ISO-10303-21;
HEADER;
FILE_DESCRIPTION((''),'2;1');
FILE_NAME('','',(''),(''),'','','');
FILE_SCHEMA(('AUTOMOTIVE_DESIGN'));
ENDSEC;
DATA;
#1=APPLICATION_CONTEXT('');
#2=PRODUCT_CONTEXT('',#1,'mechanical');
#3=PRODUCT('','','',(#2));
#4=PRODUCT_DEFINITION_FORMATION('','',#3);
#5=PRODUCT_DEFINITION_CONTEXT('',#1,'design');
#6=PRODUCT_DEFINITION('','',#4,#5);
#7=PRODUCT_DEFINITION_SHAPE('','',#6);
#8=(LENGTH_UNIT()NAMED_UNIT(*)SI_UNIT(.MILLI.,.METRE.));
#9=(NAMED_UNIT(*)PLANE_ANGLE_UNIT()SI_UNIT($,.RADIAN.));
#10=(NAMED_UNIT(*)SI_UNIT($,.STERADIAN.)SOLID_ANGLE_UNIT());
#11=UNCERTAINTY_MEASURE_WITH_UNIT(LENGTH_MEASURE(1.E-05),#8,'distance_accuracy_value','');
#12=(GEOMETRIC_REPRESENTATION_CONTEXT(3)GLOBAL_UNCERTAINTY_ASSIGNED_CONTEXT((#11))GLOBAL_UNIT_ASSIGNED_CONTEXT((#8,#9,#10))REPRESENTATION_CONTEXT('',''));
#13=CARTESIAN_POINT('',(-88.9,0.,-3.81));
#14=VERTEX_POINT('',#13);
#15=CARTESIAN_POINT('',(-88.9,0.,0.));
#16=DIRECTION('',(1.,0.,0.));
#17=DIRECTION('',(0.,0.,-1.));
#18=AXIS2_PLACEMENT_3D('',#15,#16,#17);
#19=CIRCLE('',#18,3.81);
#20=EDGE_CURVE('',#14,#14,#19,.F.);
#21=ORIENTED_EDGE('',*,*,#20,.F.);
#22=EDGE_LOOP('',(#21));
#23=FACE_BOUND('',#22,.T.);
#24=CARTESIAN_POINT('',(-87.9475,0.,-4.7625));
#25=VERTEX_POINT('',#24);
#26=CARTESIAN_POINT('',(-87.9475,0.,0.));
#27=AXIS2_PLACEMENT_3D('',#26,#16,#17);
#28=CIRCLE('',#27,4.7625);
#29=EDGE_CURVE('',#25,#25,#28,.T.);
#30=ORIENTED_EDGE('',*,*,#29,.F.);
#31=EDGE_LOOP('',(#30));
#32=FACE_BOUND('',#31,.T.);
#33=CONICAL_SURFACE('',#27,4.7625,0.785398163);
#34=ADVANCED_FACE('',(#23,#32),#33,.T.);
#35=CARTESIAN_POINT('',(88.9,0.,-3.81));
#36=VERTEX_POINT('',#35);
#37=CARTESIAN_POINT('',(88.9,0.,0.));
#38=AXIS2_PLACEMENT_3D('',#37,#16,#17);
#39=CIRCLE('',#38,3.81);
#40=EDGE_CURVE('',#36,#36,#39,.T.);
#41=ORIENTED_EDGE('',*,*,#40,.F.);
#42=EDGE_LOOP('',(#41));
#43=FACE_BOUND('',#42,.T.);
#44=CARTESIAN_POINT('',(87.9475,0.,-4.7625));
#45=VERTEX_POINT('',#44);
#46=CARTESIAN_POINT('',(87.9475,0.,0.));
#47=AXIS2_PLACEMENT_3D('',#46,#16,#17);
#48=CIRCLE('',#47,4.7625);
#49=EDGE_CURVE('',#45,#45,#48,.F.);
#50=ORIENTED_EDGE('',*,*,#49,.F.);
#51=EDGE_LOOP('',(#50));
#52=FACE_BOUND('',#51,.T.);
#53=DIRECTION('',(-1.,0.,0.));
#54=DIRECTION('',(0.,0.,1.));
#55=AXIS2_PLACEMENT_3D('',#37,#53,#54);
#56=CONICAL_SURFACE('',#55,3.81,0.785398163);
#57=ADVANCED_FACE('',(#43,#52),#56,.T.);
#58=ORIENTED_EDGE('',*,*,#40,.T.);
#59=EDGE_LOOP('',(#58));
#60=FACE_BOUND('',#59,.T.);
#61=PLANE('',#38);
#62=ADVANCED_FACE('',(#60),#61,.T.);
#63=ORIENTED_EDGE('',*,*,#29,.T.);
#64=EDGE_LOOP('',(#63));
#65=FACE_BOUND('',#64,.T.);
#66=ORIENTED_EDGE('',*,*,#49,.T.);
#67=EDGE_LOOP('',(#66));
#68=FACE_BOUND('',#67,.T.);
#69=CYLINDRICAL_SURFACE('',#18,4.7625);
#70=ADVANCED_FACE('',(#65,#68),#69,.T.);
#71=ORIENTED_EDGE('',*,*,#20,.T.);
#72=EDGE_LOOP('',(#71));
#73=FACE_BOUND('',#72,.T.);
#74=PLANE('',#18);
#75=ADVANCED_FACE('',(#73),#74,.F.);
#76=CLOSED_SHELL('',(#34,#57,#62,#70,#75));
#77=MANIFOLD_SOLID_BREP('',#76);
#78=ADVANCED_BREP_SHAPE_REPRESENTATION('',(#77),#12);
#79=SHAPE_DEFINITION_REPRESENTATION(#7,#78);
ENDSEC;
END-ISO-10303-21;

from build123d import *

# Parameters (mm, degrees)
EXTRUDE1_DEPTH      = 88.9
EXTRUDE1_DEPTH_BACK = 88.9
SKETCH2_R           = 4.7625
CHAMFER1_SIZE       = 0.9525


with BuildPart() as part:
    # Sketch2 → Extrude1 (new, two sides: drawn at the far end of the back side and taken through both)
    with BuildSketch(Plane(origin=(0, 0, 0), x_dir=(0, 0, -1), z_dir=(1, 0, 0)).offset(-EXTRUDE1_DEPTH_BACK)):
        Circle(SKETCH2_R)
    extrude(amount=EXTRUDE1_DEPTH + EXTRUDE1_DEPTH_BACK)

    # Chamfer1
    chamfer1_edges = [part.edges().sort_by_distance(p)[0] for p in [
        (-88.9, 0, 4.7625),
        (88.9, 0, 4.7625),
    ]]
    chamfer(chamfer1_edges, length=CHAMFER1_SIZE)


solid = part.part
